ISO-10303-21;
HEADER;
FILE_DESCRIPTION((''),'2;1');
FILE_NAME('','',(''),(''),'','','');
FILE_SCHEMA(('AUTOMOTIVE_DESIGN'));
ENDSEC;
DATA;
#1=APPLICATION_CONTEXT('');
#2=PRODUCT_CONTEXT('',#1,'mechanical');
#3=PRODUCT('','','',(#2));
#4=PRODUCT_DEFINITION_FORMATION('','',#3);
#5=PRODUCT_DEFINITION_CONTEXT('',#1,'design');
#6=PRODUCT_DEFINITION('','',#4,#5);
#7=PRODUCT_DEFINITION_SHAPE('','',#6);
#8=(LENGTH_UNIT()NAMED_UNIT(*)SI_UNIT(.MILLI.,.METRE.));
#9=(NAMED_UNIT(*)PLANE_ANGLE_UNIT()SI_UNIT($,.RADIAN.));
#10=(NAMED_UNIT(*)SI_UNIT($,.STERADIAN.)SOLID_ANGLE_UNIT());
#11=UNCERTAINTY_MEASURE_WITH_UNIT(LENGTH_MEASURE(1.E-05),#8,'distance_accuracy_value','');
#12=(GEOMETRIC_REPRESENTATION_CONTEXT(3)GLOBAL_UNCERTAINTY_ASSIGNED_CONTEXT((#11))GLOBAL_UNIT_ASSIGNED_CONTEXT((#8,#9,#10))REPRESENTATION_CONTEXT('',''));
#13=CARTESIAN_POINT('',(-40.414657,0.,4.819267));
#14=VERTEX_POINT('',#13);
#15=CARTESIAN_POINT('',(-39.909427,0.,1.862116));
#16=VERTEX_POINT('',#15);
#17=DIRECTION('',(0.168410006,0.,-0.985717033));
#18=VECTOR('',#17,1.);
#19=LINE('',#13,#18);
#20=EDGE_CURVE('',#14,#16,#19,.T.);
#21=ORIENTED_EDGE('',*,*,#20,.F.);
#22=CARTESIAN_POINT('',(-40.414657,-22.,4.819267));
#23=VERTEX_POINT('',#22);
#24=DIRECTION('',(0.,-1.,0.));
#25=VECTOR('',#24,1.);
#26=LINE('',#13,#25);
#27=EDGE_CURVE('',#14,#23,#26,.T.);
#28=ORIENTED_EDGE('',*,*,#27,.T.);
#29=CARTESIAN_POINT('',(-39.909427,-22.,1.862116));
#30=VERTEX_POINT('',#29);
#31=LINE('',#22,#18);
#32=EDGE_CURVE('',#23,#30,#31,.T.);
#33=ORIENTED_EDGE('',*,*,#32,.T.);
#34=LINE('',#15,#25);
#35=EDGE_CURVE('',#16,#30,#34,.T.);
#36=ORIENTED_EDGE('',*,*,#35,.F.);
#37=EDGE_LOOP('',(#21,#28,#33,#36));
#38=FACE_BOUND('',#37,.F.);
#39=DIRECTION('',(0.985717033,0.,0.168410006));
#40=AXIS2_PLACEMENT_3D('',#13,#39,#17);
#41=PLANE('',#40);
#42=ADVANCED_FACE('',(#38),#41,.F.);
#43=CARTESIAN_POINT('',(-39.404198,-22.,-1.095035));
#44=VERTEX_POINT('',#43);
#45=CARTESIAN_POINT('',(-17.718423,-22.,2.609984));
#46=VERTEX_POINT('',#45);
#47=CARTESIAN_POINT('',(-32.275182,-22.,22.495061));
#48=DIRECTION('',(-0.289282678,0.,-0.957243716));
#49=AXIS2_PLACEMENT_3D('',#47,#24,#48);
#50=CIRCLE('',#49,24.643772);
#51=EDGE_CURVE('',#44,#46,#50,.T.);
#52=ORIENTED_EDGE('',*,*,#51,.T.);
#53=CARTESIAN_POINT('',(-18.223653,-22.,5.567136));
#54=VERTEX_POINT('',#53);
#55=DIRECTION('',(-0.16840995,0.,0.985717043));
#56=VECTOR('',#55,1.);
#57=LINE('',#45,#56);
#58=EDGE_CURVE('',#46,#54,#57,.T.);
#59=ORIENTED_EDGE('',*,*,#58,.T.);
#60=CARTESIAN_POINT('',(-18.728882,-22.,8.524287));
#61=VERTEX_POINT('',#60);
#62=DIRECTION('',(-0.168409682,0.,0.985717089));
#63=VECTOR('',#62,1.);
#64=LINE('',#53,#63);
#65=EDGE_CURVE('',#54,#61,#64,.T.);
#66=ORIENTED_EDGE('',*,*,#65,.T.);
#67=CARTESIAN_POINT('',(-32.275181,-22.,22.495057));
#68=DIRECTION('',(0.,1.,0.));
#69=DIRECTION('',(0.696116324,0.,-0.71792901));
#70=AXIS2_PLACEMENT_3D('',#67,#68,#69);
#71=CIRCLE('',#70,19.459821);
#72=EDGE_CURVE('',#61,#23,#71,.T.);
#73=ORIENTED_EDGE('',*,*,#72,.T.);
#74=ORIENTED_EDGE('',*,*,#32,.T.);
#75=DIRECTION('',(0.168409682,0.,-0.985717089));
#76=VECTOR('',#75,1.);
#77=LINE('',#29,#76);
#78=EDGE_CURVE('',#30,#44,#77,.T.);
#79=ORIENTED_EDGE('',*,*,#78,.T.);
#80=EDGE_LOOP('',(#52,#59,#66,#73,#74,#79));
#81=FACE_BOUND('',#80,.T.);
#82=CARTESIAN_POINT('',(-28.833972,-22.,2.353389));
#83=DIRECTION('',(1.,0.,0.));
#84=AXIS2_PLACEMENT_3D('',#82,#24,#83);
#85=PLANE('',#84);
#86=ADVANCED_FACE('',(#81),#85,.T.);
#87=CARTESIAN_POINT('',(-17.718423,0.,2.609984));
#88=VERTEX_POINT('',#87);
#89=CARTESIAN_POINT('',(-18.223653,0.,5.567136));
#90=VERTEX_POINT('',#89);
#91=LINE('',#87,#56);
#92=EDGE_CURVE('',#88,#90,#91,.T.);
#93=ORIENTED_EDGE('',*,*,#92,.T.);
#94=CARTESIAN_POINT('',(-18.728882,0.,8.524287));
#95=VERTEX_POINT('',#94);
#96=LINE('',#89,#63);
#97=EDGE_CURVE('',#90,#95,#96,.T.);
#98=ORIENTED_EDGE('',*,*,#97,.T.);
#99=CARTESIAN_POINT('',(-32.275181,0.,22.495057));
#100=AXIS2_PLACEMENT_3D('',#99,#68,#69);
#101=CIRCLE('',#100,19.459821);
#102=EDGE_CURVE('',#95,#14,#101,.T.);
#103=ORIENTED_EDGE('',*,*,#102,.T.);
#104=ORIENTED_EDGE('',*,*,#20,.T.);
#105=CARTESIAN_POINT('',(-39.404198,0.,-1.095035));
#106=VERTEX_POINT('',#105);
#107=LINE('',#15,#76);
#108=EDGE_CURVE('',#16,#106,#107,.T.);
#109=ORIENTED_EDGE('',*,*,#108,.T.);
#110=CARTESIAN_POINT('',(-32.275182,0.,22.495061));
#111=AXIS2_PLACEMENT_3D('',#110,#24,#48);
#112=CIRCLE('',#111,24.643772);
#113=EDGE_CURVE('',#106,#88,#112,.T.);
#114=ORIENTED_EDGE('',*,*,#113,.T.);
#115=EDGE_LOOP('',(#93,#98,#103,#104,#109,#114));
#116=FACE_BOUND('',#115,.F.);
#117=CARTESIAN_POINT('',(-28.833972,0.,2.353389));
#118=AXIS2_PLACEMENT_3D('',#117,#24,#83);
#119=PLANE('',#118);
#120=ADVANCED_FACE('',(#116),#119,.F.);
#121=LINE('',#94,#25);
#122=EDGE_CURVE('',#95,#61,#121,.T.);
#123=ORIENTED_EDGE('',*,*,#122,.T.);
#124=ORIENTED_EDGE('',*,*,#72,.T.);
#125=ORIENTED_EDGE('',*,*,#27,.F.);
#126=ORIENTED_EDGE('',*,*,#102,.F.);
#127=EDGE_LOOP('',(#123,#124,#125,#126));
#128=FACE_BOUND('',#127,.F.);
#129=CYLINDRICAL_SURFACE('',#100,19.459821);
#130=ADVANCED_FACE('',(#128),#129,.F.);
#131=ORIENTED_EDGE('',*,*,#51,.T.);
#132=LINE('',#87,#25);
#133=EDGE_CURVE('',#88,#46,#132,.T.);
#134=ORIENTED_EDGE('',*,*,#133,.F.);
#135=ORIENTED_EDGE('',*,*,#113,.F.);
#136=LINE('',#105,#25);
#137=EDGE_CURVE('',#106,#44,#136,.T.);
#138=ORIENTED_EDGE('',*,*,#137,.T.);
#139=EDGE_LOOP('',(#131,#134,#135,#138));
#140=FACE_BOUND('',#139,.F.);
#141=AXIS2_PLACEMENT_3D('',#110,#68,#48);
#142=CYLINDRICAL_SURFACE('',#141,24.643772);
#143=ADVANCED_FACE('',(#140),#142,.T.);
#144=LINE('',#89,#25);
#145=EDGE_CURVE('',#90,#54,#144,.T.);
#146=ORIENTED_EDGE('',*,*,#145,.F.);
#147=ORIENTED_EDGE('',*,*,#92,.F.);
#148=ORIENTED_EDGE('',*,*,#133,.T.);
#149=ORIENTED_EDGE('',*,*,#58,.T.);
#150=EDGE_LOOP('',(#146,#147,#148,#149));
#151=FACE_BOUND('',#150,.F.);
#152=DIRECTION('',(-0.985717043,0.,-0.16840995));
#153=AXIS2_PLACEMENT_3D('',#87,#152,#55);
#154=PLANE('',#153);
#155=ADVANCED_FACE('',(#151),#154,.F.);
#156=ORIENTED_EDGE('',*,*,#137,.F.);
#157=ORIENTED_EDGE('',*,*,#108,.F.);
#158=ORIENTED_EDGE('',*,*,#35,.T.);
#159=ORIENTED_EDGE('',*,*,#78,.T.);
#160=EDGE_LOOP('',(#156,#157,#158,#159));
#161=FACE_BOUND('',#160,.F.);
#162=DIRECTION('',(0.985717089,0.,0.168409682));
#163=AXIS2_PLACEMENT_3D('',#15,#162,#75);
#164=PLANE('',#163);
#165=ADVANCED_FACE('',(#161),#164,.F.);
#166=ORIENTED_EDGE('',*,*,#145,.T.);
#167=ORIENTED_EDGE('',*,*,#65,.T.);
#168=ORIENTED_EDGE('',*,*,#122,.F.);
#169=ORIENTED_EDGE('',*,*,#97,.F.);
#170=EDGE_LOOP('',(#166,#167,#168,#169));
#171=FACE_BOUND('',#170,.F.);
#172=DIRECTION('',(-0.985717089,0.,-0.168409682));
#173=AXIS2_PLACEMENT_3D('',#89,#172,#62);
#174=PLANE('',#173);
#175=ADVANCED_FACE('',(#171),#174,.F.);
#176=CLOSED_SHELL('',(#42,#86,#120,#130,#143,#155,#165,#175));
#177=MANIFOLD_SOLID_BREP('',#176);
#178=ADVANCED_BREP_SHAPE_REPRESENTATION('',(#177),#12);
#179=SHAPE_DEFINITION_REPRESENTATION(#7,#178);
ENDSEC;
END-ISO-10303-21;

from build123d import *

# Parameters (mm, degrees)
F1_DEPTH = 22


with BuildPart() as f1:
    # F0 (on Front) → F1 (new body)
    with BuildSketch(Plane.XZ):
        with BuildLine():
            Line((-40.414657, 4.819267), (-39.909427, 1.862116))
            Line((-39.909427, 1.862116), (-39.404198, -1.095035))
            ThreePointArc((-39.404198, -1.095035), (-28.124924, -1.796725), (-17.718423, 2.609984))
            Line((-17.718423, 2.609984), (-18.223653, 5.567136))
            Line((-18.223653, 5.567136), (-18.728882, 8.524287))
            ThreePointArc((-18.728882, 8.524287), (-28.997953, 3.31318), (-40.414657, 4.819267))
        make_face()
    extrude(amount=F1_DEPTH)


solid = f1.part
